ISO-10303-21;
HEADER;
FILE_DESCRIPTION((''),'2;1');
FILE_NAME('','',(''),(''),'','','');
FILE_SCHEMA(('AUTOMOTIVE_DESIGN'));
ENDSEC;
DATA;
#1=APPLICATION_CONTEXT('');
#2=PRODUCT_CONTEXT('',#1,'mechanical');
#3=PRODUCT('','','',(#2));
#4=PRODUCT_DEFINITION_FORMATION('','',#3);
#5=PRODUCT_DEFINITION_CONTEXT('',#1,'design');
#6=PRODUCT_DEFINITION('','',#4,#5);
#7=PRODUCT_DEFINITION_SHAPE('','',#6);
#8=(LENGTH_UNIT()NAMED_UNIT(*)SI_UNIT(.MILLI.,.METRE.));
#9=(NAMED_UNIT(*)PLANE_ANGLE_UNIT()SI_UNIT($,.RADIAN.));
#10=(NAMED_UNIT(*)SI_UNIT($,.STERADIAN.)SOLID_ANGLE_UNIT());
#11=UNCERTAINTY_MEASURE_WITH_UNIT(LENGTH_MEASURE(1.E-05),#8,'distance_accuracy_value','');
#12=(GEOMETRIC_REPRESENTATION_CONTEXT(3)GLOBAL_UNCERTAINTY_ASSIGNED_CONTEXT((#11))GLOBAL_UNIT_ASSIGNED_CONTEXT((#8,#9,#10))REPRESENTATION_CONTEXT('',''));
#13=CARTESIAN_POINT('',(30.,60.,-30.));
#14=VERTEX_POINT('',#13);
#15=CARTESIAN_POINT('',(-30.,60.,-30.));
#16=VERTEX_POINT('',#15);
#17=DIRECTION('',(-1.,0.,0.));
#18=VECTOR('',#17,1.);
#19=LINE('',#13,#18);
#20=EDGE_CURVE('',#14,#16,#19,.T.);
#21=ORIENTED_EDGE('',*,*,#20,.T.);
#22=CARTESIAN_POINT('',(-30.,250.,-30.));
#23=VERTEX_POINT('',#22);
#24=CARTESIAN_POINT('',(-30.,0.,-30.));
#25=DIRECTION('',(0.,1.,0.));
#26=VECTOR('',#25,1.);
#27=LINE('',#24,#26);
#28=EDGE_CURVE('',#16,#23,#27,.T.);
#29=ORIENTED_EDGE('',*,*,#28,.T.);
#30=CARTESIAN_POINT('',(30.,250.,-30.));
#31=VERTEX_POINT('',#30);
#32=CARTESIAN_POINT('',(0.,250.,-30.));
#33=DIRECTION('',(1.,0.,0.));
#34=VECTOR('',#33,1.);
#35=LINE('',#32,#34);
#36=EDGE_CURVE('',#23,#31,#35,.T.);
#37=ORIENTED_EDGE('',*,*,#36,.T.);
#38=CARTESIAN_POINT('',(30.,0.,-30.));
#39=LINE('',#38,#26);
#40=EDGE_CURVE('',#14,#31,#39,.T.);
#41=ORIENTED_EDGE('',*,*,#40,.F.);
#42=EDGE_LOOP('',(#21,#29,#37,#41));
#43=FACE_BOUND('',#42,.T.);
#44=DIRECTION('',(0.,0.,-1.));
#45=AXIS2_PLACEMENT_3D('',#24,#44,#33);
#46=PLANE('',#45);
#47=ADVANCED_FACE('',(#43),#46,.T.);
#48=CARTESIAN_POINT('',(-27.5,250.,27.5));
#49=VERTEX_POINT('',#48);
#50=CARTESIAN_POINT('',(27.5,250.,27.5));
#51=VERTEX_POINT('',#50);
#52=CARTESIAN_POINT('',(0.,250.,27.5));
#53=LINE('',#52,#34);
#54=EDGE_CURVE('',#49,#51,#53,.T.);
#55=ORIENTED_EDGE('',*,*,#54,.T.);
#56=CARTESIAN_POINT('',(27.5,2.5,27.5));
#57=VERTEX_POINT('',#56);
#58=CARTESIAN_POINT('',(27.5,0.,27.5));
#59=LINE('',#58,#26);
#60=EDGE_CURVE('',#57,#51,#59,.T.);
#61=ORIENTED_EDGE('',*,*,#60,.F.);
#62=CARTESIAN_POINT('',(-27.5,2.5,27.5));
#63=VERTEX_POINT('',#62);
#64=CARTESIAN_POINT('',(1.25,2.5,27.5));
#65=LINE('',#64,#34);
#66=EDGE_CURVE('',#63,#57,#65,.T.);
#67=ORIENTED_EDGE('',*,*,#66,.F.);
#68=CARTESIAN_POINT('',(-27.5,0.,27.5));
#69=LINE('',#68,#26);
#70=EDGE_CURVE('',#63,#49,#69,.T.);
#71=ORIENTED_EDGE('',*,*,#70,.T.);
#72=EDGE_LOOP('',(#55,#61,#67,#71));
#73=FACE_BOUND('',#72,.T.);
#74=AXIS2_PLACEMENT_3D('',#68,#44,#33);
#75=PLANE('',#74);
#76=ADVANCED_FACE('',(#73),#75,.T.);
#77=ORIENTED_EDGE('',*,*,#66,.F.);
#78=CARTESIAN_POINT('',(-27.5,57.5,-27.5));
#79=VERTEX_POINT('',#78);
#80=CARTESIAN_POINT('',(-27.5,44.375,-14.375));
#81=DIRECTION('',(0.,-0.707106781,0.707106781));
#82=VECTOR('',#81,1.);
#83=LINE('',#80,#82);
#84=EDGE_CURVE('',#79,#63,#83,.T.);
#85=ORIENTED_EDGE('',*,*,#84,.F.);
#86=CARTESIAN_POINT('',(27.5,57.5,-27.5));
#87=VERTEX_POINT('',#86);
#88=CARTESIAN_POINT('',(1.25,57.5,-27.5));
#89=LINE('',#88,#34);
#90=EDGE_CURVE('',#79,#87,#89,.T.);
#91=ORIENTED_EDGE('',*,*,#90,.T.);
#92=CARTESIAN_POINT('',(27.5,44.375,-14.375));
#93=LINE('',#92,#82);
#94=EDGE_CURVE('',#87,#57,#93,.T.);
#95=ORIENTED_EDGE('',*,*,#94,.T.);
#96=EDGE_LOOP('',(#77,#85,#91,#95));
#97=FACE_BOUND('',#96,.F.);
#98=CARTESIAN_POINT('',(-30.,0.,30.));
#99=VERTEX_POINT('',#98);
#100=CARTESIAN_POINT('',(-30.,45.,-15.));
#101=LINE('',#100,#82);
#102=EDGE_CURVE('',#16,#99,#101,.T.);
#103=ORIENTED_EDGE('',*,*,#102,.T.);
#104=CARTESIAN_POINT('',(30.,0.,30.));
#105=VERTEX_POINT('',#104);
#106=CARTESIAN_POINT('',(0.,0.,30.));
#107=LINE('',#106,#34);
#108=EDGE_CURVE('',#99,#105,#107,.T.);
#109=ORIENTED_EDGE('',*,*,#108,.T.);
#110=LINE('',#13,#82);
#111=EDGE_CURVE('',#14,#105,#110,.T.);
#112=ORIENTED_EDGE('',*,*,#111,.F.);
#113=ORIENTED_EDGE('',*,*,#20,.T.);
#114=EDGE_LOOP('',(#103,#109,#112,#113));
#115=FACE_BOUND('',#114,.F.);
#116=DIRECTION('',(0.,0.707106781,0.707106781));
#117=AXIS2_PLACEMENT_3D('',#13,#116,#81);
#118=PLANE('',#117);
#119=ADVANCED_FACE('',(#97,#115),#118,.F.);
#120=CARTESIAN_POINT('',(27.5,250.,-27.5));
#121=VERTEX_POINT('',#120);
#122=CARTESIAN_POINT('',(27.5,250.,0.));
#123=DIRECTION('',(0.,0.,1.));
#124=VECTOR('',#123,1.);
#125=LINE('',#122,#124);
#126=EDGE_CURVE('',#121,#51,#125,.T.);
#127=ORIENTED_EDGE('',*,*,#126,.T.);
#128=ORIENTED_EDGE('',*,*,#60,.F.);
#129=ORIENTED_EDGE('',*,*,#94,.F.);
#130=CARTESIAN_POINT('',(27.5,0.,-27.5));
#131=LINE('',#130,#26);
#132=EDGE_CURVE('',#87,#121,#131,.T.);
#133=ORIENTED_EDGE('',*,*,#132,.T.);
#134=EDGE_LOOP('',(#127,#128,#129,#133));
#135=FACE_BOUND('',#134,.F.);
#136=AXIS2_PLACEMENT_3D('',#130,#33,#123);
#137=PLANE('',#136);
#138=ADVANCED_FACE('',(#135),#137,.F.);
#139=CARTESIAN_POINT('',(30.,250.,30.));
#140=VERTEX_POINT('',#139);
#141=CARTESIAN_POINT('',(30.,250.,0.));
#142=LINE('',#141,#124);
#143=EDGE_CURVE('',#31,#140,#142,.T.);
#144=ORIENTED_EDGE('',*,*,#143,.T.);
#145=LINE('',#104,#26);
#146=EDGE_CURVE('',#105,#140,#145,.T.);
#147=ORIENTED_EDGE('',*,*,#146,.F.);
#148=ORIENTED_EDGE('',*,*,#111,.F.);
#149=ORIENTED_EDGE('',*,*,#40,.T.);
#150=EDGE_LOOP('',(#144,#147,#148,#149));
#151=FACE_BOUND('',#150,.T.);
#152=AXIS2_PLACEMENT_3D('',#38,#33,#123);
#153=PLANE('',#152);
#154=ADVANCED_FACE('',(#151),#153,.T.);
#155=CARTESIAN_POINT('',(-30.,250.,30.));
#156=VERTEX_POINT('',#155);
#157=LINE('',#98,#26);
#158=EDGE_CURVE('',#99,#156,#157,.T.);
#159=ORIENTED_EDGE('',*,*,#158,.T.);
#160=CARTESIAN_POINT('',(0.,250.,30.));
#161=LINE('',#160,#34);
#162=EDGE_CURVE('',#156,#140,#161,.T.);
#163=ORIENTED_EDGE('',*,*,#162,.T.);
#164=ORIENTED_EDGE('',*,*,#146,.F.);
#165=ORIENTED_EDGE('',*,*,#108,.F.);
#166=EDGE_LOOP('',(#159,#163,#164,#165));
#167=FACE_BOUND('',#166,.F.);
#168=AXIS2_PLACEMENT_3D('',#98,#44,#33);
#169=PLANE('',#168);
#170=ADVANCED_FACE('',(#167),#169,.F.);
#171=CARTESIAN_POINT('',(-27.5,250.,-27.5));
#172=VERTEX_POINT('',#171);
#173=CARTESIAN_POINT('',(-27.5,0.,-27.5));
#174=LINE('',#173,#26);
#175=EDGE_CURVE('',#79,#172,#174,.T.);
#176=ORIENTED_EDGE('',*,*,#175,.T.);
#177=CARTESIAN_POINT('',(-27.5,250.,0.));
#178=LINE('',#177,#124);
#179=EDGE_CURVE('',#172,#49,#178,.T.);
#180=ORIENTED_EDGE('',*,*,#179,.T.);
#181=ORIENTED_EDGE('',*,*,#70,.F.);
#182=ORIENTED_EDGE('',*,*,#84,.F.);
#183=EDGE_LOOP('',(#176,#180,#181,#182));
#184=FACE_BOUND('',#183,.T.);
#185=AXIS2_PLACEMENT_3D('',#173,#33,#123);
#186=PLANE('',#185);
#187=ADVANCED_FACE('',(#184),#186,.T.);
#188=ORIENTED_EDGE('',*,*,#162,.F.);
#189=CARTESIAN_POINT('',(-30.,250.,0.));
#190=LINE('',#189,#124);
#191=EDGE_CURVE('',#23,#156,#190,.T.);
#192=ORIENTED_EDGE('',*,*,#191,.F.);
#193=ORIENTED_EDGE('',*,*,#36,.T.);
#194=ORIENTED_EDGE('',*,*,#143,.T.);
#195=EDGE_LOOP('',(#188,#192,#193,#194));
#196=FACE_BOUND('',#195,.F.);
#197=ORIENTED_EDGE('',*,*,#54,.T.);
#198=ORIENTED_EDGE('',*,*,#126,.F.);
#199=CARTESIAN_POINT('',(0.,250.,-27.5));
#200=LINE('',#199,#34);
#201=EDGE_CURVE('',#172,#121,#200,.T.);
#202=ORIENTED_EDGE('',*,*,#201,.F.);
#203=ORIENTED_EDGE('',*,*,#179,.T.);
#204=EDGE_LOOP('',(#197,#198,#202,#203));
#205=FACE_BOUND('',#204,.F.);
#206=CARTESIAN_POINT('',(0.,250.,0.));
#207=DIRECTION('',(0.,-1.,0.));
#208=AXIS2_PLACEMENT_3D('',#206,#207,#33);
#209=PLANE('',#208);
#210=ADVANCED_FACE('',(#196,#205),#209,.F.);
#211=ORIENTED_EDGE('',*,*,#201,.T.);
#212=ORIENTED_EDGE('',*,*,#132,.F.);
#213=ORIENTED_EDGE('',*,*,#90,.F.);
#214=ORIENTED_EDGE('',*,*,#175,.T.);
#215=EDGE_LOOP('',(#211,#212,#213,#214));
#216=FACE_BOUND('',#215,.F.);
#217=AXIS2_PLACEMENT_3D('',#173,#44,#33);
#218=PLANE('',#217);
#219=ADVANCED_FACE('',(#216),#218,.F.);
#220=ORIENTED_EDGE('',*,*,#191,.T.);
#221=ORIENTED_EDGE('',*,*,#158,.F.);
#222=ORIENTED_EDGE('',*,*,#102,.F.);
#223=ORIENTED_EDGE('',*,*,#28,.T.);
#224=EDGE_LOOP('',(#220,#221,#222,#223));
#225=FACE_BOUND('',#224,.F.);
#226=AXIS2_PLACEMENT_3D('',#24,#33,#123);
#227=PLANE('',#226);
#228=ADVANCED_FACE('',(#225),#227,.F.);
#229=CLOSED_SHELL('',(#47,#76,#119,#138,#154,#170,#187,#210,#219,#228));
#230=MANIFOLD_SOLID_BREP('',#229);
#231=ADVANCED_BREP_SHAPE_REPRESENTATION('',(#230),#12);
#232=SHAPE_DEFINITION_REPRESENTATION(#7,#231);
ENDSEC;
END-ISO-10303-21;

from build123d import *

# Parameters (mm, degrees)
F0_W     = 60
F0_H     = 60
F0_W_2   = 55
F0_H_2   = 55
F1_DEPTH = 250
F3_DEPTH = 70


with BuildPart() as f1:
    # F0 (on Front) → F1 (new body)
    with BuildSketch(Plane.XZ):
        Rectangle(F0_W, F0_H)
        Rectangle(F0_W_2, F0_H_2, mode=Mode.SUBTRACT)
    extrude(amount=-F1_DEPTH)

    # F2 (on face) → F3 (cut)
    with BuildSketch(Plane.YZ.offset(30)):
        Polygon((60, -30), (0, 30), (0, -30), align=None)
    extrude(amount=-F3_DEPTH, mode=Mode.SUBTRACT)


solid = f1.part
